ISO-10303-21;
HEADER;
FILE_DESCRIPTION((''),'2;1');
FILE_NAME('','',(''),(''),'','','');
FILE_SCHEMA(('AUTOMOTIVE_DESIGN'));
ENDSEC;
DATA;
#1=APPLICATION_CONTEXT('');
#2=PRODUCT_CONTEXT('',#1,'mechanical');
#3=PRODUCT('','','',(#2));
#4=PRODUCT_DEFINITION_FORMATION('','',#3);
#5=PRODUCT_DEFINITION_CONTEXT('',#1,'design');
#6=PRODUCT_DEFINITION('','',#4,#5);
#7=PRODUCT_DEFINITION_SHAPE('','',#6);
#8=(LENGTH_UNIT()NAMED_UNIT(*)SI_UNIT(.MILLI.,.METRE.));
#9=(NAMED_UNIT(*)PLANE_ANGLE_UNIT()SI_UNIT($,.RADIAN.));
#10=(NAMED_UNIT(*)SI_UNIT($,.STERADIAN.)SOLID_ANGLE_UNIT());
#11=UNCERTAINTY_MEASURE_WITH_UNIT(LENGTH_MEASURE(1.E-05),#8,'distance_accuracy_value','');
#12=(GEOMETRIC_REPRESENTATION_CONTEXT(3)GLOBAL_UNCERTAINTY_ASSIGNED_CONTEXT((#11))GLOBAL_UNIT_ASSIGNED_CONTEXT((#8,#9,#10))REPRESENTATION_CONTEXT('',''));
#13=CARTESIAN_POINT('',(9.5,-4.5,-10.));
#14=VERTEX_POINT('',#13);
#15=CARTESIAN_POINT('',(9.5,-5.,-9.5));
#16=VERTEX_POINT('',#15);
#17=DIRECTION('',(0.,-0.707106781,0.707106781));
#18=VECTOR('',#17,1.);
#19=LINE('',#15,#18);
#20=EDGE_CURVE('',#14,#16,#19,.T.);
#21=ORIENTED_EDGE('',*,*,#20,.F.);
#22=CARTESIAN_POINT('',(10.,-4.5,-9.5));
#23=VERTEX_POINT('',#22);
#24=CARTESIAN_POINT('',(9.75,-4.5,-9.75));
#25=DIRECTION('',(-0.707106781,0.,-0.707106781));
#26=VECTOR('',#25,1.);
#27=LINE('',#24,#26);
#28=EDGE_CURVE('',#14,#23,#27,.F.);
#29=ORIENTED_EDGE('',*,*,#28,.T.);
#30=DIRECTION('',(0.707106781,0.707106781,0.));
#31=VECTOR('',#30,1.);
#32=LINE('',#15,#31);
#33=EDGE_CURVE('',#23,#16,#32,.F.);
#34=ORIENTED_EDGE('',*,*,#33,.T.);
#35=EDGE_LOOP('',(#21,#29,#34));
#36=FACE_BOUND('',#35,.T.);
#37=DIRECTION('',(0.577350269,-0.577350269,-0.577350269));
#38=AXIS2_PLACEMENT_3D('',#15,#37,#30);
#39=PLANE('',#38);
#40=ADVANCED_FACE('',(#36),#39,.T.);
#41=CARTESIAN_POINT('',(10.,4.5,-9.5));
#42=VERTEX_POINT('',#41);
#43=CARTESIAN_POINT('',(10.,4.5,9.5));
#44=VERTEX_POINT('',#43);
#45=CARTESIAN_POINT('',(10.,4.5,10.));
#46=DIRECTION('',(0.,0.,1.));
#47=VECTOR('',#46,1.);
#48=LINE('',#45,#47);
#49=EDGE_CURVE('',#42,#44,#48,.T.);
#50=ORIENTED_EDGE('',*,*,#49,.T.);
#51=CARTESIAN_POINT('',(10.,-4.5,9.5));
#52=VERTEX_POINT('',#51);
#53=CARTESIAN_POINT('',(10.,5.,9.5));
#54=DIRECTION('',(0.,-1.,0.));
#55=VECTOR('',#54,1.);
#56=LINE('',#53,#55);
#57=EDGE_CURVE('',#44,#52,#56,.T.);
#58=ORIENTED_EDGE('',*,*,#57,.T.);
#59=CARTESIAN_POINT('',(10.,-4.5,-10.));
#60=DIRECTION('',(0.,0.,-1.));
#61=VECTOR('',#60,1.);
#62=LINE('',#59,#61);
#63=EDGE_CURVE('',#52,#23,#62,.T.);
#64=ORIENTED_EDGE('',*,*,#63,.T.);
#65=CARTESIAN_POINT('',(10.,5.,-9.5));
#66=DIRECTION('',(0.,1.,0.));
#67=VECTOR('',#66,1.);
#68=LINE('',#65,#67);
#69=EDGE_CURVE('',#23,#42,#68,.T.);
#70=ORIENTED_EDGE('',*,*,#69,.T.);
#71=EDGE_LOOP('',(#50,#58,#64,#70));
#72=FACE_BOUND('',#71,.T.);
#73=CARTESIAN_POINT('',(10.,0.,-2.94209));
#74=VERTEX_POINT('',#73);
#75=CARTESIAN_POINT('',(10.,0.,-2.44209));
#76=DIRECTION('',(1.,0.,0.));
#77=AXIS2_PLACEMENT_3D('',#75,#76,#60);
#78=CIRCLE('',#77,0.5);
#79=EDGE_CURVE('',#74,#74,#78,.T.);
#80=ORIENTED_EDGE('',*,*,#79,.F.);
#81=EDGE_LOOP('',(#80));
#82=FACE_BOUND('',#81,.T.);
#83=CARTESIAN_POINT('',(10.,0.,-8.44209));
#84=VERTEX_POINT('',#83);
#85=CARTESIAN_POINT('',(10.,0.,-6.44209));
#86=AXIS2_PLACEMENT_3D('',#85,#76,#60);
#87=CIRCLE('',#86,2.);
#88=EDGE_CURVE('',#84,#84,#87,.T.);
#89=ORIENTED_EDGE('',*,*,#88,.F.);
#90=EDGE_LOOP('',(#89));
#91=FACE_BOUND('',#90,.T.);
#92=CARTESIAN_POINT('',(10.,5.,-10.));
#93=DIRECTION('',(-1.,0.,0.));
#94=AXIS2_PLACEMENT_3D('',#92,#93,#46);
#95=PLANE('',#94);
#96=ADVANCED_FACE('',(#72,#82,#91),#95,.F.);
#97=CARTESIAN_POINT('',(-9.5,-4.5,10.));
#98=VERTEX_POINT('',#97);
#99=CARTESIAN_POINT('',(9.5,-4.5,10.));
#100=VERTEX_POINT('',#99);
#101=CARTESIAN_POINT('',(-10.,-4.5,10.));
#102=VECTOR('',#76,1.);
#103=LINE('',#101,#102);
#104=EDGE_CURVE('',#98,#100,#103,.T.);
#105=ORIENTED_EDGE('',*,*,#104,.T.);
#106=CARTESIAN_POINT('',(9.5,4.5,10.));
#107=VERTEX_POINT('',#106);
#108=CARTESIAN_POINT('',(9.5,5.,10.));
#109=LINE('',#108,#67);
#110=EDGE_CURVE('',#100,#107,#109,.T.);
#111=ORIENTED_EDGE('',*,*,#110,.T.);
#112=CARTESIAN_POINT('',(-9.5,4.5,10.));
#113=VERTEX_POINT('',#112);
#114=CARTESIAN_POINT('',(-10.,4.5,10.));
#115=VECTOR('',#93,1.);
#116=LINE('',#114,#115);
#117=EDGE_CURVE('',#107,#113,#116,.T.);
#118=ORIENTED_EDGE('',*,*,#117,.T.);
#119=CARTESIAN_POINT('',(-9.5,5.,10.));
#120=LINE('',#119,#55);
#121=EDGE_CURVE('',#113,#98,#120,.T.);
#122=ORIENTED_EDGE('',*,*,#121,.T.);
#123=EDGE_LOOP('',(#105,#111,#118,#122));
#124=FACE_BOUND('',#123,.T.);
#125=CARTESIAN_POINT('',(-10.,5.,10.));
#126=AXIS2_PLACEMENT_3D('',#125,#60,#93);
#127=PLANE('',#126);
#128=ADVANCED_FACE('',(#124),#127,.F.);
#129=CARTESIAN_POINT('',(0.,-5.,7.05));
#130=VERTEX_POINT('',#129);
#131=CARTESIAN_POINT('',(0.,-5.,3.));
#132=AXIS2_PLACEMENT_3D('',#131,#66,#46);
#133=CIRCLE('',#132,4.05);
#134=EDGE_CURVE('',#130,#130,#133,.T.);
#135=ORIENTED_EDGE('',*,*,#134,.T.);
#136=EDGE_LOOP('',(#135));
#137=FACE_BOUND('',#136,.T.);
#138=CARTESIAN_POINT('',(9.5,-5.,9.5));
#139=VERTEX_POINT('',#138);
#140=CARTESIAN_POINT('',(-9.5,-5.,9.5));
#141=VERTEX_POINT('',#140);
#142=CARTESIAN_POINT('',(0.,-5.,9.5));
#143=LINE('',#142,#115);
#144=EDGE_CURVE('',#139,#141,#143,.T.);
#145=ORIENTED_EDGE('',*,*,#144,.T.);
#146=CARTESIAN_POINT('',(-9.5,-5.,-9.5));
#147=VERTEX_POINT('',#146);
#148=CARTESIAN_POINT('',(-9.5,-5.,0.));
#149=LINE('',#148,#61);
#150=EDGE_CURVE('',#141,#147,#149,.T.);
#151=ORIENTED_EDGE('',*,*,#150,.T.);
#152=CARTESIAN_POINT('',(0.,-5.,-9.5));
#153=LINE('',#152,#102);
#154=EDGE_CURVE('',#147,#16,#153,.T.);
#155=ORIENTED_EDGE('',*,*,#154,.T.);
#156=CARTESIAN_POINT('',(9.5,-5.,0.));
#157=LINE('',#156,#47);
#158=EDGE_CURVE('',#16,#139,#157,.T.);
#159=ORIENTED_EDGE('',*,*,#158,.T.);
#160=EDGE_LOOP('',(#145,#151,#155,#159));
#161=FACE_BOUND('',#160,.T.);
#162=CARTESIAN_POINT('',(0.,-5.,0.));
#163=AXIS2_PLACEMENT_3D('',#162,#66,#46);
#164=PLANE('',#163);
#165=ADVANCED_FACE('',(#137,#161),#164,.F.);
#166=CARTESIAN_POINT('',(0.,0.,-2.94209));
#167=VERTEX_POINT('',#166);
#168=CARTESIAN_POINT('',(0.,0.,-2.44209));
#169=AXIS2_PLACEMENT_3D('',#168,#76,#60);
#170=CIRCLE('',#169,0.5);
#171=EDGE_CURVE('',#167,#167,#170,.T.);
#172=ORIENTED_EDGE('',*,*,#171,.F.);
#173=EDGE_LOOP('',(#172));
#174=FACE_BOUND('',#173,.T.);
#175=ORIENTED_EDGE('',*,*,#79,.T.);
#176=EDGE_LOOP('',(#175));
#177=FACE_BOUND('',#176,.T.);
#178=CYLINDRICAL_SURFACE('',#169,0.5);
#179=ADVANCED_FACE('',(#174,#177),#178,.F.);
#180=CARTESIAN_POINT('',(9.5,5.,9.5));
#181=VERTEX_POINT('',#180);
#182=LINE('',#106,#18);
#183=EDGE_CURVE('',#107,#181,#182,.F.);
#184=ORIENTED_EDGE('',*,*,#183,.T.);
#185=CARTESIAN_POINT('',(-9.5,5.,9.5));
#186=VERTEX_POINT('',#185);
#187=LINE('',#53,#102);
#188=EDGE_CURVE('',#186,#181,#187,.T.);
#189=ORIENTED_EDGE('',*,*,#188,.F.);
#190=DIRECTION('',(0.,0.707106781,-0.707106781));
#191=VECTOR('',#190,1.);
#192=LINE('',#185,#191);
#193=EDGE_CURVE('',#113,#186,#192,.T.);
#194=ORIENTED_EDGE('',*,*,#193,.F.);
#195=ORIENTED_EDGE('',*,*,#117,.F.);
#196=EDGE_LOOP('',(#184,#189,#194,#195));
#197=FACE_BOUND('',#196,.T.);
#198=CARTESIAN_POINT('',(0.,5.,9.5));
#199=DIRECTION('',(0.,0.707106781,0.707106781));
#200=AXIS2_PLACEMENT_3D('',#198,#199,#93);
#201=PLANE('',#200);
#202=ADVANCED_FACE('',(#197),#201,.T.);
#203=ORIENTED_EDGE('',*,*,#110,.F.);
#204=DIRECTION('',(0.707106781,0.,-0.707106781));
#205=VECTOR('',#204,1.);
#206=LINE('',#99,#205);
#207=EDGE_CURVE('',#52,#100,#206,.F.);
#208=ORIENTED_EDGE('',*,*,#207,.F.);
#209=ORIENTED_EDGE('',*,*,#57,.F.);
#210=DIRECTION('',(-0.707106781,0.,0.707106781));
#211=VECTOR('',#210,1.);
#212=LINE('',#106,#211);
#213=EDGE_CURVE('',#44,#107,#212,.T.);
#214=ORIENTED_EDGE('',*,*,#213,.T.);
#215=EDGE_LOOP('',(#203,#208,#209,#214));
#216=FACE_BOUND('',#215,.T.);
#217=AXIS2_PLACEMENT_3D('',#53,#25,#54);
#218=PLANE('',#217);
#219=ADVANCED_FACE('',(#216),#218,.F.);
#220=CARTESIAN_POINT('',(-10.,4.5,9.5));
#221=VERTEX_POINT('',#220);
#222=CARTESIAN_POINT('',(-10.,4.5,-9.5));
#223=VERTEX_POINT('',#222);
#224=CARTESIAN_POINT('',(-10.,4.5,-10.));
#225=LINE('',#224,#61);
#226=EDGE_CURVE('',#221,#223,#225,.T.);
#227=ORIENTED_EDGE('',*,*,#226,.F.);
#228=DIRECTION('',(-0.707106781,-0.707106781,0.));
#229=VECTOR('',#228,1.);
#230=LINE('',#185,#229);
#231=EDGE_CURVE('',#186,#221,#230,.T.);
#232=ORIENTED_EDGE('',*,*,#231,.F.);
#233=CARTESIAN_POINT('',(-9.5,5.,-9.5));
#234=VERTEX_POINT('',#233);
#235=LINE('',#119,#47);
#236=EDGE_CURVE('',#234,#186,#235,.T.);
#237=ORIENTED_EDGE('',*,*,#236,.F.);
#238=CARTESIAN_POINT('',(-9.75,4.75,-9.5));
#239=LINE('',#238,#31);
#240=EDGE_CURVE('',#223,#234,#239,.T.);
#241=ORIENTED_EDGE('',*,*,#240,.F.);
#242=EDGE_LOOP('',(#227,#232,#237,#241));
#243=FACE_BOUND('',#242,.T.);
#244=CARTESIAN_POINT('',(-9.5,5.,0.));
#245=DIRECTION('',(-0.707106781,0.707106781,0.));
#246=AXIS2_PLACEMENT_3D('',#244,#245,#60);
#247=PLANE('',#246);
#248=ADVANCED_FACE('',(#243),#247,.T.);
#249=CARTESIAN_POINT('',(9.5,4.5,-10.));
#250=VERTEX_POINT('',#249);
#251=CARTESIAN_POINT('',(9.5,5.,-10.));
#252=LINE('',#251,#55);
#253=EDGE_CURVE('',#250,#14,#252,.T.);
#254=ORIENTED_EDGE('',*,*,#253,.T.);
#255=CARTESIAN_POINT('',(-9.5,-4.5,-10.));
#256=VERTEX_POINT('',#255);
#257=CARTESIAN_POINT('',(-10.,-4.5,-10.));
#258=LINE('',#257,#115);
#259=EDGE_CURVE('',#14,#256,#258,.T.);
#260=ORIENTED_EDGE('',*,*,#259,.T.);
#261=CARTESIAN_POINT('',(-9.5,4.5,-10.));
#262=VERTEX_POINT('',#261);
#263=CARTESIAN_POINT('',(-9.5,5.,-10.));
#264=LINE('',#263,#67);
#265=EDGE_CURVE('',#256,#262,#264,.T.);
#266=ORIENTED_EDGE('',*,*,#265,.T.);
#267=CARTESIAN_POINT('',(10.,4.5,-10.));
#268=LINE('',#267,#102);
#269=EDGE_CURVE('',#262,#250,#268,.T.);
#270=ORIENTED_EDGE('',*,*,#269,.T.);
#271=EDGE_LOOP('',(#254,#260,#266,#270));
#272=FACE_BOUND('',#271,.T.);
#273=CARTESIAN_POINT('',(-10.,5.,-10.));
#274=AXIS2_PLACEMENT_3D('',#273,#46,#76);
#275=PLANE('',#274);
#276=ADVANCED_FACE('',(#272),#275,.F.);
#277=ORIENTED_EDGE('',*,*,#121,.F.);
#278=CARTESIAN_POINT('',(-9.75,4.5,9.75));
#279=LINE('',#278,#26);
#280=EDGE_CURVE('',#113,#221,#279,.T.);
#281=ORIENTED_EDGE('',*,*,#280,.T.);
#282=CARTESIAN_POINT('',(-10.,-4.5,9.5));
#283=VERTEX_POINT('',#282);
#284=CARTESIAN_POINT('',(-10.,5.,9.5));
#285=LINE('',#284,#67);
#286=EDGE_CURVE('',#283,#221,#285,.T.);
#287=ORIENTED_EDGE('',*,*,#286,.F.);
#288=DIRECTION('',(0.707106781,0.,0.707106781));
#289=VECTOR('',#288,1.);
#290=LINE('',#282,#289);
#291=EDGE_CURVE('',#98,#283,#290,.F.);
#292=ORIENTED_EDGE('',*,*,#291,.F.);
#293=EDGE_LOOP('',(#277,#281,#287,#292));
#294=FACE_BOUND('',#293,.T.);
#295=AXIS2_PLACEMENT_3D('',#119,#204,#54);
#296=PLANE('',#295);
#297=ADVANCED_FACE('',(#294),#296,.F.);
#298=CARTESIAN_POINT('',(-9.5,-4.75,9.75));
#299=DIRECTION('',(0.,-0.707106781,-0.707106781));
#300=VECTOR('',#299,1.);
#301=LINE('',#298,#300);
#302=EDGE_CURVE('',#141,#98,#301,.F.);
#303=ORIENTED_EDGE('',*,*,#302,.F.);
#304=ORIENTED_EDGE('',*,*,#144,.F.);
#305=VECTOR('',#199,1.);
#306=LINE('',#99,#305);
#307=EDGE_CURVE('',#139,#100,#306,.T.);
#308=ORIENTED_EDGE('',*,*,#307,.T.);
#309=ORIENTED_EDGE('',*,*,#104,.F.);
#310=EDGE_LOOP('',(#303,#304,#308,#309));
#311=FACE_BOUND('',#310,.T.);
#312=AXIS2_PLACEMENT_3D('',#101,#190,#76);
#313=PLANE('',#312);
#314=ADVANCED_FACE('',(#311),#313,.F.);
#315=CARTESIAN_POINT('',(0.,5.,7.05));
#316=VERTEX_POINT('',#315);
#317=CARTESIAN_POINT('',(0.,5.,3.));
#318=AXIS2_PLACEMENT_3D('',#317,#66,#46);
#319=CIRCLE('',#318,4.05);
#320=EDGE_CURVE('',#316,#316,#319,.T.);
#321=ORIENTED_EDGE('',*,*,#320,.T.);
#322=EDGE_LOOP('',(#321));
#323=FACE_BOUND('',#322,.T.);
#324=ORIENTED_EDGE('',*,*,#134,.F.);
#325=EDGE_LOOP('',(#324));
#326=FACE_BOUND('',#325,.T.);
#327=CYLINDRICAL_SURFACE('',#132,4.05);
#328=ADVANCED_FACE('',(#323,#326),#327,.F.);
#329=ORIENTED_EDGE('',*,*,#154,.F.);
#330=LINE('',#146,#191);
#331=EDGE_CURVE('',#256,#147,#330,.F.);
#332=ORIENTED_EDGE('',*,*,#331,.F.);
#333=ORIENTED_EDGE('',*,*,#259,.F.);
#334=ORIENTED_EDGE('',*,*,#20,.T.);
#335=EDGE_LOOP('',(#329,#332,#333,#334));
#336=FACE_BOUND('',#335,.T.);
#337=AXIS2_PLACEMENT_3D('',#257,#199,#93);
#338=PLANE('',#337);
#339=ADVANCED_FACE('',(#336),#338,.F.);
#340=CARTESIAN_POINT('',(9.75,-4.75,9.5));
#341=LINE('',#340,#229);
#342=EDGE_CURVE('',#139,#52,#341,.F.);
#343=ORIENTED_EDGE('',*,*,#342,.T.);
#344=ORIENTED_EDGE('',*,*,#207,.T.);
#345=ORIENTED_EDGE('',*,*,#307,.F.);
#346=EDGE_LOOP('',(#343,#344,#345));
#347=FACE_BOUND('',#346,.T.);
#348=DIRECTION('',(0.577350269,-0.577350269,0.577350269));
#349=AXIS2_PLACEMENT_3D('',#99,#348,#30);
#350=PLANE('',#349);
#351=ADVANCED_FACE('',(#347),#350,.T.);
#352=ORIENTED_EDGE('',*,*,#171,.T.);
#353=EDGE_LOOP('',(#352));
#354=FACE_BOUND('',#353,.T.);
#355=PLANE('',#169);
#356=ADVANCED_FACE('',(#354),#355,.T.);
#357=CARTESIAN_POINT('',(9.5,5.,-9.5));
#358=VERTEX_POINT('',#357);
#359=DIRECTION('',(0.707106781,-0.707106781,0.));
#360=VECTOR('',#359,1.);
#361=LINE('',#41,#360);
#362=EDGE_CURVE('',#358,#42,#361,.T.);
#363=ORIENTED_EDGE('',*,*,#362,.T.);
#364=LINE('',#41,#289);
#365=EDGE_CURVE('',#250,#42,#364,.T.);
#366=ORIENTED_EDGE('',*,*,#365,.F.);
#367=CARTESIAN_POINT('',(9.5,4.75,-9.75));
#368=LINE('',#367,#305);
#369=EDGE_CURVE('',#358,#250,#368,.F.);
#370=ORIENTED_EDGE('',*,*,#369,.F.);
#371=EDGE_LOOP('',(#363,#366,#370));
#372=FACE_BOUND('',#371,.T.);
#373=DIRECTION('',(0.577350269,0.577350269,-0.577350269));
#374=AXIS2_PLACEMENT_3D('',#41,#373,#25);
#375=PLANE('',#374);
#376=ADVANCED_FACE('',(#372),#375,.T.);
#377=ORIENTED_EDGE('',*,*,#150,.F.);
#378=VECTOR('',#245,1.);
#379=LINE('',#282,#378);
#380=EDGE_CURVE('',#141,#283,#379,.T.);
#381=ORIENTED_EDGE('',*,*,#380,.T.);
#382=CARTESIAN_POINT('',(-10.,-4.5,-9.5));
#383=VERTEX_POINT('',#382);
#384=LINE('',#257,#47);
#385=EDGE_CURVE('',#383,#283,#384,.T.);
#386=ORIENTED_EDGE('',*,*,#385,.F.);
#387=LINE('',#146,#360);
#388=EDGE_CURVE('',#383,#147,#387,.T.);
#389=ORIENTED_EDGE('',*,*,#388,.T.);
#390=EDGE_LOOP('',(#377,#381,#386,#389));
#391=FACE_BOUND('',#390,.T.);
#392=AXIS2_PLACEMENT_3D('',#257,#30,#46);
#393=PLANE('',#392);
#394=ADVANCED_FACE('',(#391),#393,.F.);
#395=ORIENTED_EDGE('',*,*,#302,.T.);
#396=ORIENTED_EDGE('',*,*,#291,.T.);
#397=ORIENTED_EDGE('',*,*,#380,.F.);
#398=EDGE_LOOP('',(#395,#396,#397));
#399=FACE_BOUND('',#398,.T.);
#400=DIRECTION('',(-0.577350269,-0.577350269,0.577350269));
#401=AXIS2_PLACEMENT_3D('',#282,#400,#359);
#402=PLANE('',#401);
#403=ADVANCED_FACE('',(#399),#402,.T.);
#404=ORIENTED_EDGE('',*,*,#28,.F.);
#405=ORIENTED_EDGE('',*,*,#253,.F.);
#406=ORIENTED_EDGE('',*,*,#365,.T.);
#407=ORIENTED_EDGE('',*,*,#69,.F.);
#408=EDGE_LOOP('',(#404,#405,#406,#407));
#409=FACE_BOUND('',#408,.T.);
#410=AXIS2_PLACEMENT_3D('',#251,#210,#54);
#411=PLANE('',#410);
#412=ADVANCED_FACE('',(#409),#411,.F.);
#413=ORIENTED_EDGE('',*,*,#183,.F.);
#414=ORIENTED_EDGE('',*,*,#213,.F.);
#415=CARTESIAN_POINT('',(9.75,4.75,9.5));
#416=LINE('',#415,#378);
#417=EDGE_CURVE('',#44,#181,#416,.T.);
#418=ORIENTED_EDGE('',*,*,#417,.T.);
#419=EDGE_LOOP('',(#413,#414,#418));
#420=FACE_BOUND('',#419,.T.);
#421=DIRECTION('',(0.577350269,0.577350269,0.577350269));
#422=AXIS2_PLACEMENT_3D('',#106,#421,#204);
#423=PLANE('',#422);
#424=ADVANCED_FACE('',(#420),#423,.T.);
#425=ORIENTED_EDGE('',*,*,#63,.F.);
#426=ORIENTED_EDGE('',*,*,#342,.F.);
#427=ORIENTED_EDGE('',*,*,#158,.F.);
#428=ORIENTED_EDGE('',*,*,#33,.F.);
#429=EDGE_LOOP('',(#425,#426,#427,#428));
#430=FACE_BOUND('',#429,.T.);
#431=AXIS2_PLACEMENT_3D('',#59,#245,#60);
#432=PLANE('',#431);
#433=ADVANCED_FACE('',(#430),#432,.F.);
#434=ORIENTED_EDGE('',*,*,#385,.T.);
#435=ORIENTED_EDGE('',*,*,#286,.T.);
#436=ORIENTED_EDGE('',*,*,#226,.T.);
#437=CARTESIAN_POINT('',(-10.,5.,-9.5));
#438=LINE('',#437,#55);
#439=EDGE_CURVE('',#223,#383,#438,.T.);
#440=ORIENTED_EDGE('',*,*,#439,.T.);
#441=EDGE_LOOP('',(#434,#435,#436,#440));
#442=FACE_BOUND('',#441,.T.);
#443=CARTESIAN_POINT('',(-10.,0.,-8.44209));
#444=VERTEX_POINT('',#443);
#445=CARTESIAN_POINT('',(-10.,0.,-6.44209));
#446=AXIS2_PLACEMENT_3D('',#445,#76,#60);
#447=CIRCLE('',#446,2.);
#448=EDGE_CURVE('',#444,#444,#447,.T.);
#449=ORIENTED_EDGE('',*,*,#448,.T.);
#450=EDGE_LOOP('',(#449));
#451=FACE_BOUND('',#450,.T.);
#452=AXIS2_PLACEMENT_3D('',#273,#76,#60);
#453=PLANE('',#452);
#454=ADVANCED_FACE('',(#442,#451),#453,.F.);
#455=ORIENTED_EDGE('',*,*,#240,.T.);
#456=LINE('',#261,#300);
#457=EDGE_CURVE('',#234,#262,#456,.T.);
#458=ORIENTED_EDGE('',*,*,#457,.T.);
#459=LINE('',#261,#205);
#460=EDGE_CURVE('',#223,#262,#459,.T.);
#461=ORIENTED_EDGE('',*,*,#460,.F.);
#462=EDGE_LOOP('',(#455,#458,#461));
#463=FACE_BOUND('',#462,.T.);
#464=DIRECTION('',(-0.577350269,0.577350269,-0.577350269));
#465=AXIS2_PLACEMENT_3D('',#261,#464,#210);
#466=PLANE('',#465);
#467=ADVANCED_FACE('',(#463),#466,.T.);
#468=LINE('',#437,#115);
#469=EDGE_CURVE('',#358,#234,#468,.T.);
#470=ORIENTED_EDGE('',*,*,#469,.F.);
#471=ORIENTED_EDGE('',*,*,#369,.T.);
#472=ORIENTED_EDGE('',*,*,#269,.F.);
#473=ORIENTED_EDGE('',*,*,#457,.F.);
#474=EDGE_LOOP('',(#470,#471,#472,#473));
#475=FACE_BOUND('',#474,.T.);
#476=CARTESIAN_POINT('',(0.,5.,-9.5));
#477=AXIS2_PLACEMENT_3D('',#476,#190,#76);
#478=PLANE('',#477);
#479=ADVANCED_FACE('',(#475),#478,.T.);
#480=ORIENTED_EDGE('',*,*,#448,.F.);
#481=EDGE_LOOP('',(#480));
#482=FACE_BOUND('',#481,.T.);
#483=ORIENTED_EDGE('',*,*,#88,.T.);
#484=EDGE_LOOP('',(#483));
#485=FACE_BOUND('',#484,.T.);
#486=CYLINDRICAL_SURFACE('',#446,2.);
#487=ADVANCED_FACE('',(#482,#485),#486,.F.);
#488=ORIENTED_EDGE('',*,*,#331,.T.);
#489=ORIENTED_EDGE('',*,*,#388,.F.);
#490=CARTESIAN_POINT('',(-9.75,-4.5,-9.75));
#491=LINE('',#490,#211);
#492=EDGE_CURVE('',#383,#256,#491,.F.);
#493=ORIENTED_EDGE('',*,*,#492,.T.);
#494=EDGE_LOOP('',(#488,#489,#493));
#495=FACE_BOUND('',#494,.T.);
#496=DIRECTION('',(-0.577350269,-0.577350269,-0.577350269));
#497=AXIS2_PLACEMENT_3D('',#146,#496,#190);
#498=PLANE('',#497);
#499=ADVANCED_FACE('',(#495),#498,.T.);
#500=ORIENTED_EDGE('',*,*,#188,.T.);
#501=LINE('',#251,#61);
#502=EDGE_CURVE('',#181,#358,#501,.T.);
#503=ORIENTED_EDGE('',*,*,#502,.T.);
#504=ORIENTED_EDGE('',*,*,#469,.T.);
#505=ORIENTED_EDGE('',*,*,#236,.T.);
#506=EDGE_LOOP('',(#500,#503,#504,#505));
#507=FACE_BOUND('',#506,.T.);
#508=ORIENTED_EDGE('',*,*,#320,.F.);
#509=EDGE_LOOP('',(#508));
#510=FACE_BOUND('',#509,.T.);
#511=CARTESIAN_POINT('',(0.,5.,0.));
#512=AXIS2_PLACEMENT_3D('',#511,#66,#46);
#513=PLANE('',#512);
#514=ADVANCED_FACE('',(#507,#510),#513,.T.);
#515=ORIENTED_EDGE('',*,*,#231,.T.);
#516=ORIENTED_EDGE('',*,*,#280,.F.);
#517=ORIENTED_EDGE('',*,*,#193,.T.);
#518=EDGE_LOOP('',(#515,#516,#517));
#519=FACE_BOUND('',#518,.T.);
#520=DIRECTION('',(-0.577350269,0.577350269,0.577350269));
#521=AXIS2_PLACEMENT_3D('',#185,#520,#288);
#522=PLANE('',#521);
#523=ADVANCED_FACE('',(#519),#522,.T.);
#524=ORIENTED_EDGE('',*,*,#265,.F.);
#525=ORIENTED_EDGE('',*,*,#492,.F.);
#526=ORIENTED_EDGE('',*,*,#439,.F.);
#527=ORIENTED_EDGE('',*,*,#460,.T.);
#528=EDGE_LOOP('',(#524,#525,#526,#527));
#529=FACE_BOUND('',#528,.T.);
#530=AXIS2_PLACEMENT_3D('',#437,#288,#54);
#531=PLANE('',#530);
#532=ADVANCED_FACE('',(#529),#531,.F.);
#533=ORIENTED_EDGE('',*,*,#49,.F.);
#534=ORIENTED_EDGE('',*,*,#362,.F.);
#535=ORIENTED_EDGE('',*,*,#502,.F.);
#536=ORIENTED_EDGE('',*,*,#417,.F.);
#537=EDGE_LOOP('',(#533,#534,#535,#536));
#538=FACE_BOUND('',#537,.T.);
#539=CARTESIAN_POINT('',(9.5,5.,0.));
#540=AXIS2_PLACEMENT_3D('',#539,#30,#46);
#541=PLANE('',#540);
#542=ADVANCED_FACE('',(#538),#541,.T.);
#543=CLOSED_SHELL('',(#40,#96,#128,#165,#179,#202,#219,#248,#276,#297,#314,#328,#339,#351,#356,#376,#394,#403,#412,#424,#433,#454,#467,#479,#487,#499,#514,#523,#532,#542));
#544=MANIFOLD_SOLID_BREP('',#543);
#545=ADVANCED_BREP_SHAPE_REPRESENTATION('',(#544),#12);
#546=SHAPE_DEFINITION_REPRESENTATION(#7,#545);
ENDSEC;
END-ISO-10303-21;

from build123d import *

# Parameters (mm, degrees)
SKETCH1_W           = 20
SKETCH1_H           = 20
BOSS_EXTRUDE1_DEPTH = 5
SKETCH2_R           = 4.05
CUT_EXTRUDE1_DEPTH  = 18.320508076
SKETCH3_R           = 2
CUT_EXTRUDE2_DEPTH  = 23.912878475
SKETCH4_R           = 0.5
CUT_EXTRUDE3_DEPTH  = 10
CHAMFER1_SIZE       = 0.5


with BuildPart() as part:
    # Sketch1 → Boss-Extrude1 (new, symmetric)
    with BuildSketch(Plane(origin=(0, 0, 0), x_dir=(1, 0, 0), z_dir=(0, 1, 0))):
        Rectangle(SKETCH1_W, SKETCH1_H)
    extrude(amount=BOSS_EXTRUDE1_DEPTH, both=True)

    # Sketch2 → Cut-Extrude1 (cut, through all)
    with BuildSketch(Plane(origin=(0, 5, 0), x_dir=(1, 0, 0), z_dir=(0, 1, 0))):
        with Locations(Location((0, -3, 0), (0, 0, 270))):
            Circle(SKETCH2_R)
    extrude(amount=-CUT_EXTRUDE1_DEPTH, mode=Mode.SUBTRACT)

    # Sketch3 → Cut-Extrude2 (cut, through all)
    with BuildSketch(Plane(origin=(10, 0, 0), x_dir=(0, 0, -1), z_dir=(1, 0, 0))):
        with Locations((6.442090049, 0)):
            Circle(SKETCH3_R)
    extrude(amount=-CUT_EXTRUDE2_DEPTH, mode=Mode.SUBTRACT)

    # Sketch4 → Cut-Extrude3 (cut)
    with BuildSketch(Plane(origin=(10, 0, 0), x_dir=(0, 0, -1), z_dir=(1, 0, 0))):
        with Locations((2.442090049, 0)):
            Circle(SKETCH4_R)
    extrude(amount=-CUT_EXTRUDE3_DEPTH, mode=Mode.SUBTRACT)

    # Chamfer1
    chamfer1_edges = [part.edges().sort_by_distance(p)[0] for p in [
        (-10, 5, 0),
        (0, 5, 10),
        (10, 5, 0),
        (0, -5, 10),
        (-10, -5, 0),
        (0, -5, -10),
        (10, -5, 0),
        (10, 0, 10),
        (-10, 0, 10),
        (-10, 0, -10),
        (10, 0, -10),
        (0, 5, -10),
    ]]
    chamfer(chamfer1_edges, length=CHAMFER1_SIZE)


solid = part.part
